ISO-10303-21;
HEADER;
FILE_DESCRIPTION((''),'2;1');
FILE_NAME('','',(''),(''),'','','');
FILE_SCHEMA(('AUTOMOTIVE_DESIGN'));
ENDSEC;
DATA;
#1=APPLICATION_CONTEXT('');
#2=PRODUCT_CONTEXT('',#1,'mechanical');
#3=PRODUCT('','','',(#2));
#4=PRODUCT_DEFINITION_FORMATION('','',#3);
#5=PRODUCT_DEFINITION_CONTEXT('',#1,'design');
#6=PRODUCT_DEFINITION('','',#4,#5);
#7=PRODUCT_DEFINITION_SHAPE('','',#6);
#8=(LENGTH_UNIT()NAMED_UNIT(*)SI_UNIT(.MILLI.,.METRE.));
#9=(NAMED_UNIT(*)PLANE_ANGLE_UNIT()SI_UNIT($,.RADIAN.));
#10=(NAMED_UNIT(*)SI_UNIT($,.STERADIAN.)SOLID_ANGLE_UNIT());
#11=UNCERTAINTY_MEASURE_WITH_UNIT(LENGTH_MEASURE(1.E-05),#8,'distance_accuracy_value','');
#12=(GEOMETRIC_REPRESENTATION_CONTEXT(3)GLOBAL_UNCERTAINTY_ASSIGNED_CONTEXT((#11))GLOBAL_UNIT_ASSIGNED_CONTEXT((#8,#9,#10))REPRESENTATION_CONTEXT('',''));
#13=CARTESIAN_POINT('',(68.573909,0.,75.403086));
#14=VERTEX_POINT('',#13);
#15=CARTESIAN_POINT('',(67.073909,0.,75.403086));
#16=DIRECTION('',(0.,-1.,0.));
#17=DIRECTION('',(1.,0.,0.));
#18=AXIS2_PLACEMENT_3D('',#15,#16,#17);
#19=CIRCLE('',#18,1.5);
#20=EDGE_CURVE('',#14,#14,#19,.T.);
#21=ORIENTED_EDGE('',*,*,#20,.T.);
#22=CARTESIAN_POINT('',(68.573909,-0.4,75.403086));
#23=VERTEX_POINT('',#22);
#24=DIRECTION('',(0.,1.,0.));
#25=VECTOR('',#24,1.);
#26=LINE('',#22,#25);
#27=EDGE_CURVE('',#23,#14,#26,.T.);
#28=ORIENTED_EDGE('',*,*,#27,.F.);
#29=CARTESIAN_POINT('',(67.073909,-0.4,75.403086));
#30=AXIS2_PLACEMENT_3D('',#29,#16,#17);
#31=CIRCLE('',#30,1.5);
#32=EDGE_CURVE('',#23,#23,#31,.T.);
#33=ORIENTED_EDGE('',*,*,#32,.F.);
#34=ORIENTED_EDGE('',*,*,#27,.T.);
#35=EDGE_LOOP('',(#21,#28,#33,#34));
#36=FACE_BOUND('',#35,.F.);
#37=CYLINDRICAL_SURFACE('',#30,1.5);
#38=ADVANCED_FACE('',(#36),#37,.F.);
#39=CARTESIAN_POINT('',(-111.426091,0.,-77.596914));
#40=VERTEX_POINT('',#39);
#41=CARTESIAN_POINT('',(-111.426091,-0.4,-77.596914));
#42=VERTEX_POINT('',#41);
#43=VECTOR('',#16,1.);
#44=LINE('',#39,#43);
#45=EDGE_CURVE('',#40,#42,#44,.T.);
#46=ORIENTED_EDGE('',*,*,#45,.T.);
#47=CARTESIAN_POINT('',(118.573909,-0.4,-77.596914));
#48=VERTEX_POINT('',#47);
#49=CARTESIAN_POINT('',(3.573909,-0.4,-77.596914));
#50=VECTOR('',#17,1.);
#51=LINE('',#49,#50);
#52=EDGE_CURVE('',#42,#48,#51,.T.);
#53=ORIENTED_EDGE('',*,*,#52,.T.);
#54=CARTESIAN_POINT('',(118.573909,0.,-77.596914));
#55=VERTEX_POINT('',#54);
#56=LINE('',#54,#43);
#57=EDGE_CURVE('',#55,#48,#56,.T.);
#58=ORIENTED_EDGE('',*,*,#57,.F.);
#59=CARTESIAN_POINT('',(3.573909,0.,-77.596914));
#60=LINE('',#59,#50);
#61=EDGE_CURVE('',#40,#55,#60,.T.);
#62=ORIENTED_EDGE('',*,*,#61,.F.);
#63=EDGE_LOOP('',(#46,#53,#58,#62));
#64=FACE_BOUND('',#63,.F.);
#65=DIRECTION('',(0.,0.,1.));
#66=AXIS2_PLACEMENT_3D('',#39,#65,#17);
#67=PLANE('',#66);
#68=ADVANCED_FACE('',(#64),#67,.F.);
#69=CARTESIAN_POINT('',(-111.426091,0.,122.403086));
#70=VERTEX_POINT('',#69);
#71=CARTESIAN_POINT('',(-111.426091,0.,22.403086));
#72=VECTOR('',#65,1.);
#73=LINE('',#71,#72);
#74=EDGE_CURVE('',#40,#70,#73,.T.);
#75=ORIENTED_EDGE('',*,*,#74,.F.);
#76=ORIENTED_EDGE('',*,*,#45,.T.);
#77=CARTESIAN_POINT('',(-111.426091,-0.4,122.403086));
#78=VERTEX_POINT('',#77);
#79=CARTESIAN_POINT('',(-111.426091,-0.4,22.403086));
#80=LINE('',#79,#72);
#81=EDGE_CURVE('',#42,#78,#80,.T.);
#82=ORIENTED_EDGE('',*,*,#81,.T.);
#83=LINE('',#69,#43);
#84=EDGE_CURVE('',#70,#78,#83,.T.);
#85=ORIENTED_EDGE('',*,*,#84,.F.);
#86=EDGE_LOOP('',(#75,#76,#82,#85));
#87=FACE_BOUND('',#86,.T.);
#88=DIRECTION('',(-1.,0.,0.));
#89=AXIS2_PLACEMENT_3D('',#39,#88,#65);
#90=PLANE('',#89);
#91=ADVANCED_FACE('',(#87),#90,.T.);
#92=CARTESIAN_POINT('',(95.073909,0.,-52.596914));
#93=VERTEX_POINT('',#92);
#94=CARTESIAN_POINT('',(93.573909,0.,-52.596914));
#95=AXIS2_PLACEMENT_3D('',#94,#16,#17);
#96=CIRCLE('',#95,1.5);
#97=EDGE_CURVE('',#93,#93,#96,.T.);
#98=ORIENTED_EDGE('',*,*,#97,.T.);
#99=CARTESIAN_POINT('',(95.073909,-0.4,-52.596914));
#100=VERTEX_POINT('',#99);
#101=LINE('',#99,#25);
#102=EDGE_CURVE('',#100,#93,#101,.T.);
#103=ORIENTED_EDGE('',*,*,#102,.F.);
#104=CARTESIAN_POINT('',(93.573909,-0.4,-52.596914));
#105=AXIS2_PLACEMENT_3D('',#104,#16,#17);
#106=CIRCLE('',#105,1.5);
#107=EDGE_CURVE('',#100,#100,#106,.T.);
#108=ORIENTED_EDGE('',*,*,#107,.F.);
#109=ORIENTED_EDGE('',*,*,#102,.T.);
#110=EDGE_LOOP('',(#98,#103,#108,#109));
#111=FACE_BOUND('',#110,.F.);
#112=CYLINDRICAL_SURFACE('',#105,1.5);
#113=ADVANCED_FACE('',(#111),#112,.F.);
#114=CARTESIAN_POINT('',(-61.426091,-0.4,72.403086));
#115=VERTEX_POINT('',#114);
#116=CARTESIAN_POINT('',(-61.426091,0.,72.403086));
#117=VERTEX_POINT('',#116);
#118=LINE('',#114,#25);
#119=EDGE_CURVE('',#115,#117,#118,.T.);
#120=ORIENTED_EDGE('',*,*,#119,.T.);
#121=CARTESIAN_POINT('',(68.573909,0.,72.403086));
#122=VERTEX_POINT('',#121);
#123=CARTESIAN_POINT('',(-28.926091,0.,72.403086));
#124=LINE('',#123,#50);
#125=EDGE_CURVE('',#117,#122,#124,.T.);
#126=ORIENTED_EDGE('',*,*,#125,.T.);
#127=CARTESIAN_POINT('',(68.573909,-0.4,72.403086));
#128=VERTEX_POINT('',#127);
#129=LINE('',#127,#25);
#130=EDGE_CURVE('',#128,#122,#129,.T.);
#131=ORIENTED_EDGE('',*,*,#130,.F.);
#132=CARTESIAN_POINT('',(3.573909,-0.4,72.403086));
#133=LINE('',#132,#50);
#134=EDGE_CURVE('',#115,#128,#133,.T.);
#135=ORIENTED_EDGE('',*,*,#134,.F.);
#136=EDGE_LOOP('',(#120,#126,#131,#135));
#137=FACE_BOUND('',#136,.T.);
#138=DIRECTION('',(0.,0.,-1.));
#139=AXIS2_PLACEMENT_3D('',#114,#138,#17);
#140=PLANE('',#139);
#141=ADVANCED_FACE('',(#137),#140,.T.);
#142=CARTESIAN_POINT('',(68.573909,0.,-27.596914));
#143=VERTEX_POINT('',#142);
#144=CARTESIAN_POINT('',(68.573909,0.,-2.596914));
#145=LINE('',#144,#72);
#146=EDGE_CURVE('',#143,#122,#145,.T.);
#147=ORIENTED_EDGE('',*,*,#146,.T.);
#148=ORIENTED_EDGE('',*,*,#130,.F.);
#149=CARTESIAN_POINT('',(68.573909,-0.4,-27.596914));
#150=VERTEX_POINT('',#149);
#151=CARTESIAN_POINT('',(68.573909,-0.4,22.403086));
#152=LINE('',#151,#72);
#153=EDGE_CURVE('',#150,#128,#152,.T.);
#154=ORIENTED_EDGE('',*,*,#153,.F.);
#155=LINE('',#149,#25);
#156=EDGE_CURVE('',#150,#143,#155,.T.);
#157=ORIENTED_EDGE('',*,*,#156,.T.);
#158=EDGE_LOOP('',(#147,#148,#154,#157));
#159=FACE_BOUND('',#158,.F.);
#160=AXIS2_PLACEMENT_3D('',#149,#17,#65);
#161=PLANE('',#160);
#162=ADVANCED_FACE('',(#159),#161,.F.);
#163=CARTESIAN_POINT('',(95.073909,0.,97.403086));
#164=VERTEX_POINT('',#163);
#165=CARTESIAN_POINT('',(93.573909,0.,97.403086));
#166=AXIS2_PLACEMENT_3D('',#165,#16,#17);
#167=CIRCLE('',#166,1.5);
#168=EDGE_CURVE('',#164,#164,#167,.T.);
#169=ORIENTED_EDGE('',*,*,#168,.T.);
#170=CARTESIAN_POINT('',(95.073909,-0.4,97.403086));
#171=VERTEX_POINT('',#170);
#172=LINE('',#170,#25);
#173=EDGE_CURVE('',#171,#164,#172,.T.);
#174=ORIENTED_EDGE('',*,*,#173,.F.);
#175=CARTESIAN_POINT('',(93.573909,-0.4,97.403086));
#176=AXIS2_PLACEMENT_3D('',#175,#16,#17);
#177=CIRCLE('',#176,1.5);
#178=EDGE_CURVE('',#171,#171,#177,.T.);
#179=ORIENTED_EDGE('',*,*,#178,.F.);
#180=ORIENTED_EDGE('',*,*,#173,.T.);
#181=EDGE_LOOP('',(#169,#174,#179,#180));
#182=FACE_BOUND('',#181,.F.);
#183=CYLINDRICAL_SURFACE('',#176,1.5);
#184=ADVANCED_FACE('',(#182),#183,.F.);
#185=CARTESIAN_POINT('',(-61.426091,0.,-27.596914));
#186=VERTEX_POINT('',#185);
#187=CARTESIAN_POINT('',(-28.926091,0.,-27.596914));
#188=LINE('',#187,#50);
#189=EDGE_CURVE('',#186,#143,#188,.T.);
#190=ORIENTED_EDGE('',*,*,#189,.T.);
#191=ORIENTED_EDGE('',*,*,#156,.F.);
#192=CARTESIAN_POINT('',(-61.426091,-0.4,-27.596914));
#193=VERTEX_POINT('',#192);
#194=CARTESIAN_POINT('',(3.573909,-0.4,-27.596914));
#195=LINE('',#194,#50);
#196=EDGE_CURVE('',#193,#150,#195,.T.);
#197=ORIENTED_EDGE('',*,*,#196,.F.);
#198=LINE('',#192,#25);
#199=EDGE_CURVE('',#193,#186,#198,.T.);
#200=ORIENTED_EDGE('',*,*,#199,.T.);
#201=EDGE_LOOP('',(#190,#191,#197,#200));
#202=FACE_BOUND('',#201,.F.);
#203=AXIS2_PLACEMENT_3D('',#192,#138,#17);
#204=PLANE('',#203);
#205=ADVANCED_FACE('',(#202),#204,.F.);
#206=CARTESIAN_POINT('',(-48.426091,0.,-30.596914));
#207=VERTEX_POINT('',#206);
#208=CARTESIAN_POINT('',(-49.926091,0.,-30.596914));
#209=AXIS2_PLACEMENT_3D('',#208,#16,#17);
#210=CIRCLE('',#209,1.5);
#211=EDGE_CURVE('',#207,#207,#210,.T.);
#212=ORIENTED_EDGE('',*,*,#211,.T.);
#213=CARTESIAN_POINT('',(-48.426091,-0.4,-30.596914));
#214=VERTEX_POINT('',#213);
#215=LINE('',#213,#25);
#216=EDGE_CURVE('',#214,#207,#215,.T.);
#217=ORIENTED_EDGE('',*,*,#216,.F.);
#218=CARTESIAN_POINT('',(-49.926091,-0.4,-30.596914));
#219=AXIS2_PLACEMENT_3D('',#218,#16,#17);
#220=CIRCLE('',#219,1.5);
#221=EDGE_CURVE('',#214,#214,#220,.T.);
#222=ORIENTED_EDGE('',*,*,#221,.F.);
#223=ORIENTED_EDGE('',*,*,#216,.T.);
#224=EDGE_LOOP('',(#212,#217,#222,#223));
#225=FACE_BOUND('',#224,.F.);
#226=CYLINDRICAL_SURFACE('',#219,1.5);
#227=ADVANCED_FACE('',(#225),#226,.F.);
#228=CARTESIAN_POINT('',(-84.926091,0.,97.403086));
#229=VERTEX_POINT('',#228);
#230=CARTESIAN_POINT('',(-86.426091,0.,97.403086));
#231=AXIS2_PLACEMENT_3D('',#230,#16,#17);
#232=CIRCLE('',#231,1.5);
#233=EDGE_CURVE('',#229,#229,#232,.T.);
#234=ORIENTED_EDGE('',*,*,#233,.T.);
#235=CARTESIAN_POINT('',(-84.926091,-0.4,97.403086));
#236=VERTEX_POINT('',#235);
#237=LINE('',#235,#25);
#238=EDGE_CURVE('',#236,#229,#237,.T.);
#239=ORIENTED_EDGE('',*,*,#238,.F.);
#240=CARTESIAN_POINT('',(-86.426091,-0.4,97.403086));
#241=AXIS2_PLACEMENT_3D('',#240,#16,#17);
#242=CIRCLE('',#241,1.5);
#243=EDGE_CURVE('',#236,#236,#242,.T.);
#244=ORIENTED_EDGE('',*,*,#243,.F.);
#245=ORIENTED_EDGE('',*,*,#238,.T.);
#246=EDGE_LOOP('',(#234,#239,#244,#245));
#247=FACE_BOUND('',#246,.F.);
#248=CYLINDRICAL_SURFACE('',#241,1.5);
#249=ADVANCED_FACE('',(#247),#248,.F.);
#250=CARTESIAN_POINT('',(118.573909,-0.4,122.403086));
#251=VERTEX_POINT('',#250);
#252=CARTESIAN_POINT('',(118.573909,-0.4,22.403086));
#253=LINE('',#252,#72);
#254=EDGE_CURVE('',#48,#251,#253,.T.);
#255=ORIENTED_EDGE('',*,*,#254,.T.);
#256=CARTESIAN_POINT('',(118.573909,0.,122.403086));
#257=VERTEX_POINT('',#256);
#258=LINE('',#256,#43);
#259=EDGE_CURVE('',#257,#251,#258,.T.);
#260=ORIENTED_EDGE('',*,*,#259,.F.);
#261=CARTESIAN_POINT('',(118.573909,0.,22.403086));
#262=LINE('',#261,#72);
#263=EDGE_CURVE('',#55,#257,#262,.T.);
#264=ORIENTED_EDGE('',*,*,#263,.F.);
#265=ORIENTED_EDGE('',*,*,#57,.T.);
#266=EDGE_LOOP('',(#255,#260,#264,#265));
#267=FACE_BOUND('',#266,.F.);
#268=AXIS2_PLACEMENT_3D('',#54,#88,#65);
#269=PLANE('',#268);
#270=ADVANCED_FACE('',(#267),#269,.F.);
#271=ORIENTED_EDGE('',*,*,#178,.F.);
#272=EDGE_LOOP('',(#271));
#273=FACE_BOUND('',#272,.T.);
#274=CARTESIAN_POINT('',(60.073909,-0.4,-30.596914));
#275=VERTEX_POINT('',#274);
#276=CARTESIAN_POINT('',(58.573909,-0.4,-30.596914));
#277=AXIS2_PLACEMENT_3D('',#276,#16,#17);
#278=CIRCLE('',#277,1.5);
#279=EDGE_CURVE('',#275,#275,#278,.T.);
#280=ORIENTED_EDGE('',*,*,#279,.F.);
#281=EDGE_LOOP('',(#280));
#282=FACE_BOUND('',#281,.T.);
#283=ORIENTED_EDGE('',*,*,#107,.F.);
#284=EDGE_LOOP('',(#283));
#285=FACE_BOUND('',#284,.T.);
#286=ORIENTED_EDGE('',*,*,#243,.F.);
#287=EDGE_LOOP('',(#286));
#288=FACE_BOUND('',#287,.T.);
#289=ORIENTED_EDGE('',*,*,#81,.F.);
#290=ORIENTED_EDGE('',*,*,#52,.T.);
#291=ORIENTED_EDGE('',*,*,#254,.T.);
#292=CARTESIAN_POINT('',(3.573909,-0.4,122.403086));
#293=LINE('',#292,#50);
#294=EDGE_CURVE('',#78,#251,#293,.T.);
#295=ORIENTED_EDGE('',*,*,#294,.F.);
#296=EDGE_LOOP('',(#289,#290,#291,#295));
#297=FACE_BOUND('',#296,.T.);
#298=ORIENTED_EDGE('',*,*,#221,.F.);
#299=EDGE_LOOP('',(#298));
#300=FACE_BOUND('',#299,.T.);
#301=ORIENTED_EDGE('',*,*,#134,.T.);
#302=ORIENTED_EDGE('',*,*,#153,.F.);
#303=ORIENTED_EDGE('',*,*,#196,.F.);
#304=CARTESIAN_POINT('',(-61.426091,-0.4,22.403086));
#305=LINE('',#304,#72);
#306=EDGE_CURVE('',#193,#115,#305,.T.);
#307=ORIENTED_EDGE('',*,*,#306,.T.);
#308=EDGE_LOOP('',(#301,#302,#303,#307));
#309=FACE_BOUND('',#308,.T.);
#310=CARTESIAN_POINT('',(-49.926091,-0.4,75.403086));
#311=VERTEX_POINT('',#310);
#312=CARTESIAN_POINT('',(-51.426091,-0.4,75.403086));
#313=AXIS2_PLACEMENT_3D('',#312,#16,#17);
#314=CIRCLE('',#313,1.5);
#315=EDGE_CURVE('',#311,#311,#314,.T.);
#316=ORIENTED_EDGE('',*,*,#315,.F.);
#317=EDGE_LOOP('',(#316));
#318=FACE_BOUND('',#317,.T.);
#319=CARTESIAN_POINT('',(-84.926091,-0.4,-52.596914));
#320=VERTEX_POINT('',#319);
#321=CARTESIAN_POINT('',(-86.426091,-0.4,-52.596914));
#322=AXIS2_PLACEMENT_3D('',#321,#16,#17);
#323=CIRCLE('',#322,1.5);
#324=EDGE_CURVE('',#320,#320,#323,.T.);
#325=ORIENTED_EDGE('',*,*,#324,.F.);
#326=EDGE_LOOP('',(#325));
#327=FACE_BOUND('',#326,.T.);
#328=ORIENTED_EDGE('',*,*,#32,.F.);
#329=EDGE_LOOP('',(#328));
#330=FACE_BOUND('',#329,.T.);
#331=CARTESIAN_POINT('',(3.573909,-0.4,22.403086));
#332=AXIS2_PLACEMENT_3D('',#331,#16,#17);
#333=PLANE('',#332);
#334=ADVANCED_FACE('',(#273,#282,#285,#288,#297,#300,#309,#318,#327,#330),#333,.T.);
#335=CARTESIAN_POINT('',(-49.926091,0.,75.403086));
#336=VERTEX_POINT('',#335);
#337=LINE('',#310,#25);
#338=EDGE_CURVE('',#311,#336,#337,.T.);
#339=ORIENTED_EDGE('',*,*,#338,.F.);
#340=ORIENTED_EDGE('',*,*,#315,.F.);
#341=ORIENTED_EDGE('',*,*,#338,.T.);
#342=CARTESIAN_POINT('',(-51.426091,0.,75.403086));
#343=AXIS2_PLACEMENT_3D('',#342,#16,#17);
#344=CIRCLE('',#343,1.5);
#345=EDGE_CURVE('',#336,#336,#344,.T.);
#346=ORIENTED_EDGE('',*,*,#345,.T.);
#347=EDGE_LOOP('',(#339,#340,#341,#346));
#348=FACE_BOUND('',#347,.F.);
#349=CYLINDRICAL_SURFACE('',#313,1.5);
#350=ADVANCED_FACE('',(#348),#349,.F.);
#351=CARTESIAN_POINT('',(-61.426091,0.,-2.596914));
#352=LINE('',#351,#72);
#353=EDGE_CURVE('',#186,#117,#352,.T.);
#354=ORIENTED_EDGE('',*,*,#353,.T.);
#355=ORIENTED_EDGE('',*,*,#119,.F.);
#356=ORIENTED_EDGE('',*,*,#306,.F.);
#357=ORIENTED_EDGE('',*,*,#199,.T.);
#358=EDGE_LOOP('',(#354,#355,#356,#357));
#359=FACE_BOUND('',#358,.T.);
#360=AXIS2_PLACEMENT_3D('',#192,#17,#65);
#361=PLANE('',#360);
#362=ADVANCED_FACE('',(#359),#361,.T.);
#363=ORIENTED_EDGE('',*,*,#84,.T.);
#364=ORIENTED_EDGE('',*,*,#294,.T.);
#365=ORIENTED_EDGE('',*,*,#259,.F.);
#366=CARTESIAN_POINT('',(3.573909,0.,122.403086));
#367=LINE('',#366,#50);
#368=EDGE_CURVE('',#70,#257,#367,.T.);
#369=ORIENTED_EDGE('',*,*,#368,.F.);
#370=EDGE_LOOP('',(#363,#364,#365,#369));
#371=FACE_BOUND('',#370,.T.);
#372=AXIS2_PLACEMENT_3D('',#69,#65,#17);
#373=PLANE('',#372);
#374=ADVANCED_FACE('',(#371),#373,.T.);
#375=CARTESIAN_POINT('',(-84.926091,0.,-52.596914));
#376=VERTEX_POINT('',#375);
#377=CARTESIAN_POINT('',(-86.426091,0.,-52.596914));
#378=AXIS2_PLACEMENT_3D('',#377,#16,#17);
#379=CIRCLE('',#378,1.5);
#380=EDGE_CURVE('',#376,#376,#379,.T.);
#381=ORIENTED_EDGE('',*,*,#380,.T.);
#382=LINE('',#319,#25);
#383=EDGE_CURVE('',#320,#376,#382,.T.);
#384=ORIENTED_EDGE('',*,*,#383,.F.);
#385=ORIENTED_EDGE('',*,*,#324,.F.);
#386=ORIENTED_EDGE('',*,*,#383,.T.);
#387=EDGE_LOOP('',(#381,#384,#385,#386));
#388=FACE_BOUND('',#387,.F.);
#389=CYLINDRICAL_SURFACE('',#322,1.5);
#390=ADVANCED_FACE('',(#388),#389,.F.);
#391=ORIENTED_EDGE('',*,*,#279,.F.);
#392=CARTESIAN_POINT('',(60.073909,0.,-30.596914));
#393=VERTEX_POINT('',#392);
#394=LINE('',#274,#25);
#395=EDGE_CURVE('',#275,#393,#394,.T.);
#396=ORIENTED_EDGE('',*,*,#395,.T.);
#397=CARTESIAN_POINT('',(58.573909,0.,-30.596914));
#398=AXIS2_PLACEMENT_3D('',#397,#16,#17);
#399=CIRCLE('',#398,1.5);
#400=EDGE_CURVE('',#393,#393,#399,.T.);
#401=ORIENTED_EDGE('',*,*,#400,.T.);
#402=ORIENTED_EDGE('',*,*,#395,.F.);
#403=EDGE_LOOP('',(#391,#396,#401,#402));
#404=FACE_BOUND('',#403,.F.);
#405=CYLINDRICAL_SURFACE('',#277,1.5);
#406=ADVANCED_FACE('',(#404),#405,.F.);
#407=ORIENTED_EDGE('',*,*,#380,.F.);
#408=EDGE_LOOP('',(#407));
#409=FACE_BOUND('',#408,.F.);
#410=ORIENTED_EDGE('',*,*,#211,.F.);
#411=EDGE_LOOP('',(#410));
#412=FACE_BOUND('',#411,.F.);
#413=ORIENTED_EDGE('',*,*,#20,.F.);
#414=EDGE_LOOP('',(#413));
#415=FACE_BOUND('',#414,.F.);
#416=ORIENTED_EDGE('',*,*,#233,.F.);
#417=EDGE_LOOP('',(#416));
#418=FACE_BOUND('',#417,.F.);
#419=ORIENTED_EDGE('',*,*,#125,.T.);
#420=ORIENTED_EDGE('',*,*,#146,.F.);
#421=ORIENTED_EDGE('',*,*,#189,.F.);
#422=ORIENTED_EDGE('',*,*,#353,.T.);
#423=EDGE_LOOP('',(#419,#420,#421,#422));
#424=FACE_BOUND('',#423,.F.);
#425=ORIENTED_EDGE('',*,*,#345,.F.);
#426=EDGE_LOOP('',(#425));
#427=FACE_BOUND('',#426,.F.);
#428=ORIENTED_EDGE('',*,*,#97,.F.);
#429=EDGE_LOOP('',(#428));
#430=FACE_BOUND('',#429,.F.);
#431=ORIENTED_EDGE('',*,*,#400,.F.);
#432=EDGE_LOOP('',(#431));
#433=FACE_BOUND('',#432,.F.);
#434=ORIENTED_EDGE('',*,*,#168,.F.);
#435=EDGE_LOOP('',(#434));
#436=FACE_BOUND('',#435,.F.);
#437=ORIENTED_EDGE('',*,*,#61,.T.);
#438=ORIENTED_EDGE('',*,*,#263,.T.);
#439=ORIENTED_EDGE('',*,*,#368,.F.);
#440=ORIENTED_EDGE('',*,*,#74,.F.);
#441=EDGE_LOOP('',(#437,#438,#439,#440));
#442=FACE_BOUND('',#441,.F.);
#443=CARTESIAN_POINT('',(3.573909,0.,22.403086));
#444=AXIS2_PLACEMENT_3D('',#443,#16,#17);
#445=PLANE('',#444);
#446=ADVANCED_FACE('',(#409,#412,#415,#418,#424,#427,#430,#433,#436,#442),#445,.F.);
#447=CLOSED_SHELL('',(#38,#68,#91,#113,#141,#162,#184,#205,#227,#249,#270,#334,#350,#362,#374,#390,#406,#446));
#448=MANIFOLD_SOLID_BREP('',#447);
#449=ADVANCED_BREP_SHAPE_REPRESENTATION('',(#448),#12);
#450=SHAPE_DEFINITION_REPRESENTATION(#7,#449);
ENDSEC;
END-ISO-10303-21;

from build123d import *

# Parameters (mm, degrees)
F0_W     = 230
F0_H     = 200
F1_DEPTH = 0.4
F2_W     = 130
F2_H     = 100
F2_R     = 1.5
F3_DEPTH = 25


with BuildPart() as f1:
    # F0 (on Front) → F1 (new body)
    with BuildSketch(Plane.XZ):
        with Locations((3.573909, 22.403086)):
            Rectangle(F0_W, F0_H)
    extrude(amount=F1_DEPTH)

    # F2 (on face) → F3 (cut)
    with BuildSketch(Plane.XZ.offset(0.4)):
        with Locations((3.573909, 22.403086)):
            Rectangle(F2_W, F2_H)
        with Locations((-49.926091, -30.596914)):
            Circle(F2_R)
        with Locations((58.573909, -30.596914)):
            Circle(F2_R)
        with Locations((67.073909, 75.403086)):
            Circle(F2_R)
        with Locations((-51.426091, 75.403086)):
            Circle(F2_R)
        with Locations((-86.426091, -52.596914)):
            Circle(F2_R)
        with Locations((93.573909, -52.596914)):
            Circle(F2_R)
        with Locations((-86.426091, 97.403086)):
            Circle(F2_R)
        with Locations((93.573909, 97.403086)):
            Circle(F2_R)
    extrude(amount=-F3_DEPTH, mode=Mode.SUBTRACT)


solid = f1.part
